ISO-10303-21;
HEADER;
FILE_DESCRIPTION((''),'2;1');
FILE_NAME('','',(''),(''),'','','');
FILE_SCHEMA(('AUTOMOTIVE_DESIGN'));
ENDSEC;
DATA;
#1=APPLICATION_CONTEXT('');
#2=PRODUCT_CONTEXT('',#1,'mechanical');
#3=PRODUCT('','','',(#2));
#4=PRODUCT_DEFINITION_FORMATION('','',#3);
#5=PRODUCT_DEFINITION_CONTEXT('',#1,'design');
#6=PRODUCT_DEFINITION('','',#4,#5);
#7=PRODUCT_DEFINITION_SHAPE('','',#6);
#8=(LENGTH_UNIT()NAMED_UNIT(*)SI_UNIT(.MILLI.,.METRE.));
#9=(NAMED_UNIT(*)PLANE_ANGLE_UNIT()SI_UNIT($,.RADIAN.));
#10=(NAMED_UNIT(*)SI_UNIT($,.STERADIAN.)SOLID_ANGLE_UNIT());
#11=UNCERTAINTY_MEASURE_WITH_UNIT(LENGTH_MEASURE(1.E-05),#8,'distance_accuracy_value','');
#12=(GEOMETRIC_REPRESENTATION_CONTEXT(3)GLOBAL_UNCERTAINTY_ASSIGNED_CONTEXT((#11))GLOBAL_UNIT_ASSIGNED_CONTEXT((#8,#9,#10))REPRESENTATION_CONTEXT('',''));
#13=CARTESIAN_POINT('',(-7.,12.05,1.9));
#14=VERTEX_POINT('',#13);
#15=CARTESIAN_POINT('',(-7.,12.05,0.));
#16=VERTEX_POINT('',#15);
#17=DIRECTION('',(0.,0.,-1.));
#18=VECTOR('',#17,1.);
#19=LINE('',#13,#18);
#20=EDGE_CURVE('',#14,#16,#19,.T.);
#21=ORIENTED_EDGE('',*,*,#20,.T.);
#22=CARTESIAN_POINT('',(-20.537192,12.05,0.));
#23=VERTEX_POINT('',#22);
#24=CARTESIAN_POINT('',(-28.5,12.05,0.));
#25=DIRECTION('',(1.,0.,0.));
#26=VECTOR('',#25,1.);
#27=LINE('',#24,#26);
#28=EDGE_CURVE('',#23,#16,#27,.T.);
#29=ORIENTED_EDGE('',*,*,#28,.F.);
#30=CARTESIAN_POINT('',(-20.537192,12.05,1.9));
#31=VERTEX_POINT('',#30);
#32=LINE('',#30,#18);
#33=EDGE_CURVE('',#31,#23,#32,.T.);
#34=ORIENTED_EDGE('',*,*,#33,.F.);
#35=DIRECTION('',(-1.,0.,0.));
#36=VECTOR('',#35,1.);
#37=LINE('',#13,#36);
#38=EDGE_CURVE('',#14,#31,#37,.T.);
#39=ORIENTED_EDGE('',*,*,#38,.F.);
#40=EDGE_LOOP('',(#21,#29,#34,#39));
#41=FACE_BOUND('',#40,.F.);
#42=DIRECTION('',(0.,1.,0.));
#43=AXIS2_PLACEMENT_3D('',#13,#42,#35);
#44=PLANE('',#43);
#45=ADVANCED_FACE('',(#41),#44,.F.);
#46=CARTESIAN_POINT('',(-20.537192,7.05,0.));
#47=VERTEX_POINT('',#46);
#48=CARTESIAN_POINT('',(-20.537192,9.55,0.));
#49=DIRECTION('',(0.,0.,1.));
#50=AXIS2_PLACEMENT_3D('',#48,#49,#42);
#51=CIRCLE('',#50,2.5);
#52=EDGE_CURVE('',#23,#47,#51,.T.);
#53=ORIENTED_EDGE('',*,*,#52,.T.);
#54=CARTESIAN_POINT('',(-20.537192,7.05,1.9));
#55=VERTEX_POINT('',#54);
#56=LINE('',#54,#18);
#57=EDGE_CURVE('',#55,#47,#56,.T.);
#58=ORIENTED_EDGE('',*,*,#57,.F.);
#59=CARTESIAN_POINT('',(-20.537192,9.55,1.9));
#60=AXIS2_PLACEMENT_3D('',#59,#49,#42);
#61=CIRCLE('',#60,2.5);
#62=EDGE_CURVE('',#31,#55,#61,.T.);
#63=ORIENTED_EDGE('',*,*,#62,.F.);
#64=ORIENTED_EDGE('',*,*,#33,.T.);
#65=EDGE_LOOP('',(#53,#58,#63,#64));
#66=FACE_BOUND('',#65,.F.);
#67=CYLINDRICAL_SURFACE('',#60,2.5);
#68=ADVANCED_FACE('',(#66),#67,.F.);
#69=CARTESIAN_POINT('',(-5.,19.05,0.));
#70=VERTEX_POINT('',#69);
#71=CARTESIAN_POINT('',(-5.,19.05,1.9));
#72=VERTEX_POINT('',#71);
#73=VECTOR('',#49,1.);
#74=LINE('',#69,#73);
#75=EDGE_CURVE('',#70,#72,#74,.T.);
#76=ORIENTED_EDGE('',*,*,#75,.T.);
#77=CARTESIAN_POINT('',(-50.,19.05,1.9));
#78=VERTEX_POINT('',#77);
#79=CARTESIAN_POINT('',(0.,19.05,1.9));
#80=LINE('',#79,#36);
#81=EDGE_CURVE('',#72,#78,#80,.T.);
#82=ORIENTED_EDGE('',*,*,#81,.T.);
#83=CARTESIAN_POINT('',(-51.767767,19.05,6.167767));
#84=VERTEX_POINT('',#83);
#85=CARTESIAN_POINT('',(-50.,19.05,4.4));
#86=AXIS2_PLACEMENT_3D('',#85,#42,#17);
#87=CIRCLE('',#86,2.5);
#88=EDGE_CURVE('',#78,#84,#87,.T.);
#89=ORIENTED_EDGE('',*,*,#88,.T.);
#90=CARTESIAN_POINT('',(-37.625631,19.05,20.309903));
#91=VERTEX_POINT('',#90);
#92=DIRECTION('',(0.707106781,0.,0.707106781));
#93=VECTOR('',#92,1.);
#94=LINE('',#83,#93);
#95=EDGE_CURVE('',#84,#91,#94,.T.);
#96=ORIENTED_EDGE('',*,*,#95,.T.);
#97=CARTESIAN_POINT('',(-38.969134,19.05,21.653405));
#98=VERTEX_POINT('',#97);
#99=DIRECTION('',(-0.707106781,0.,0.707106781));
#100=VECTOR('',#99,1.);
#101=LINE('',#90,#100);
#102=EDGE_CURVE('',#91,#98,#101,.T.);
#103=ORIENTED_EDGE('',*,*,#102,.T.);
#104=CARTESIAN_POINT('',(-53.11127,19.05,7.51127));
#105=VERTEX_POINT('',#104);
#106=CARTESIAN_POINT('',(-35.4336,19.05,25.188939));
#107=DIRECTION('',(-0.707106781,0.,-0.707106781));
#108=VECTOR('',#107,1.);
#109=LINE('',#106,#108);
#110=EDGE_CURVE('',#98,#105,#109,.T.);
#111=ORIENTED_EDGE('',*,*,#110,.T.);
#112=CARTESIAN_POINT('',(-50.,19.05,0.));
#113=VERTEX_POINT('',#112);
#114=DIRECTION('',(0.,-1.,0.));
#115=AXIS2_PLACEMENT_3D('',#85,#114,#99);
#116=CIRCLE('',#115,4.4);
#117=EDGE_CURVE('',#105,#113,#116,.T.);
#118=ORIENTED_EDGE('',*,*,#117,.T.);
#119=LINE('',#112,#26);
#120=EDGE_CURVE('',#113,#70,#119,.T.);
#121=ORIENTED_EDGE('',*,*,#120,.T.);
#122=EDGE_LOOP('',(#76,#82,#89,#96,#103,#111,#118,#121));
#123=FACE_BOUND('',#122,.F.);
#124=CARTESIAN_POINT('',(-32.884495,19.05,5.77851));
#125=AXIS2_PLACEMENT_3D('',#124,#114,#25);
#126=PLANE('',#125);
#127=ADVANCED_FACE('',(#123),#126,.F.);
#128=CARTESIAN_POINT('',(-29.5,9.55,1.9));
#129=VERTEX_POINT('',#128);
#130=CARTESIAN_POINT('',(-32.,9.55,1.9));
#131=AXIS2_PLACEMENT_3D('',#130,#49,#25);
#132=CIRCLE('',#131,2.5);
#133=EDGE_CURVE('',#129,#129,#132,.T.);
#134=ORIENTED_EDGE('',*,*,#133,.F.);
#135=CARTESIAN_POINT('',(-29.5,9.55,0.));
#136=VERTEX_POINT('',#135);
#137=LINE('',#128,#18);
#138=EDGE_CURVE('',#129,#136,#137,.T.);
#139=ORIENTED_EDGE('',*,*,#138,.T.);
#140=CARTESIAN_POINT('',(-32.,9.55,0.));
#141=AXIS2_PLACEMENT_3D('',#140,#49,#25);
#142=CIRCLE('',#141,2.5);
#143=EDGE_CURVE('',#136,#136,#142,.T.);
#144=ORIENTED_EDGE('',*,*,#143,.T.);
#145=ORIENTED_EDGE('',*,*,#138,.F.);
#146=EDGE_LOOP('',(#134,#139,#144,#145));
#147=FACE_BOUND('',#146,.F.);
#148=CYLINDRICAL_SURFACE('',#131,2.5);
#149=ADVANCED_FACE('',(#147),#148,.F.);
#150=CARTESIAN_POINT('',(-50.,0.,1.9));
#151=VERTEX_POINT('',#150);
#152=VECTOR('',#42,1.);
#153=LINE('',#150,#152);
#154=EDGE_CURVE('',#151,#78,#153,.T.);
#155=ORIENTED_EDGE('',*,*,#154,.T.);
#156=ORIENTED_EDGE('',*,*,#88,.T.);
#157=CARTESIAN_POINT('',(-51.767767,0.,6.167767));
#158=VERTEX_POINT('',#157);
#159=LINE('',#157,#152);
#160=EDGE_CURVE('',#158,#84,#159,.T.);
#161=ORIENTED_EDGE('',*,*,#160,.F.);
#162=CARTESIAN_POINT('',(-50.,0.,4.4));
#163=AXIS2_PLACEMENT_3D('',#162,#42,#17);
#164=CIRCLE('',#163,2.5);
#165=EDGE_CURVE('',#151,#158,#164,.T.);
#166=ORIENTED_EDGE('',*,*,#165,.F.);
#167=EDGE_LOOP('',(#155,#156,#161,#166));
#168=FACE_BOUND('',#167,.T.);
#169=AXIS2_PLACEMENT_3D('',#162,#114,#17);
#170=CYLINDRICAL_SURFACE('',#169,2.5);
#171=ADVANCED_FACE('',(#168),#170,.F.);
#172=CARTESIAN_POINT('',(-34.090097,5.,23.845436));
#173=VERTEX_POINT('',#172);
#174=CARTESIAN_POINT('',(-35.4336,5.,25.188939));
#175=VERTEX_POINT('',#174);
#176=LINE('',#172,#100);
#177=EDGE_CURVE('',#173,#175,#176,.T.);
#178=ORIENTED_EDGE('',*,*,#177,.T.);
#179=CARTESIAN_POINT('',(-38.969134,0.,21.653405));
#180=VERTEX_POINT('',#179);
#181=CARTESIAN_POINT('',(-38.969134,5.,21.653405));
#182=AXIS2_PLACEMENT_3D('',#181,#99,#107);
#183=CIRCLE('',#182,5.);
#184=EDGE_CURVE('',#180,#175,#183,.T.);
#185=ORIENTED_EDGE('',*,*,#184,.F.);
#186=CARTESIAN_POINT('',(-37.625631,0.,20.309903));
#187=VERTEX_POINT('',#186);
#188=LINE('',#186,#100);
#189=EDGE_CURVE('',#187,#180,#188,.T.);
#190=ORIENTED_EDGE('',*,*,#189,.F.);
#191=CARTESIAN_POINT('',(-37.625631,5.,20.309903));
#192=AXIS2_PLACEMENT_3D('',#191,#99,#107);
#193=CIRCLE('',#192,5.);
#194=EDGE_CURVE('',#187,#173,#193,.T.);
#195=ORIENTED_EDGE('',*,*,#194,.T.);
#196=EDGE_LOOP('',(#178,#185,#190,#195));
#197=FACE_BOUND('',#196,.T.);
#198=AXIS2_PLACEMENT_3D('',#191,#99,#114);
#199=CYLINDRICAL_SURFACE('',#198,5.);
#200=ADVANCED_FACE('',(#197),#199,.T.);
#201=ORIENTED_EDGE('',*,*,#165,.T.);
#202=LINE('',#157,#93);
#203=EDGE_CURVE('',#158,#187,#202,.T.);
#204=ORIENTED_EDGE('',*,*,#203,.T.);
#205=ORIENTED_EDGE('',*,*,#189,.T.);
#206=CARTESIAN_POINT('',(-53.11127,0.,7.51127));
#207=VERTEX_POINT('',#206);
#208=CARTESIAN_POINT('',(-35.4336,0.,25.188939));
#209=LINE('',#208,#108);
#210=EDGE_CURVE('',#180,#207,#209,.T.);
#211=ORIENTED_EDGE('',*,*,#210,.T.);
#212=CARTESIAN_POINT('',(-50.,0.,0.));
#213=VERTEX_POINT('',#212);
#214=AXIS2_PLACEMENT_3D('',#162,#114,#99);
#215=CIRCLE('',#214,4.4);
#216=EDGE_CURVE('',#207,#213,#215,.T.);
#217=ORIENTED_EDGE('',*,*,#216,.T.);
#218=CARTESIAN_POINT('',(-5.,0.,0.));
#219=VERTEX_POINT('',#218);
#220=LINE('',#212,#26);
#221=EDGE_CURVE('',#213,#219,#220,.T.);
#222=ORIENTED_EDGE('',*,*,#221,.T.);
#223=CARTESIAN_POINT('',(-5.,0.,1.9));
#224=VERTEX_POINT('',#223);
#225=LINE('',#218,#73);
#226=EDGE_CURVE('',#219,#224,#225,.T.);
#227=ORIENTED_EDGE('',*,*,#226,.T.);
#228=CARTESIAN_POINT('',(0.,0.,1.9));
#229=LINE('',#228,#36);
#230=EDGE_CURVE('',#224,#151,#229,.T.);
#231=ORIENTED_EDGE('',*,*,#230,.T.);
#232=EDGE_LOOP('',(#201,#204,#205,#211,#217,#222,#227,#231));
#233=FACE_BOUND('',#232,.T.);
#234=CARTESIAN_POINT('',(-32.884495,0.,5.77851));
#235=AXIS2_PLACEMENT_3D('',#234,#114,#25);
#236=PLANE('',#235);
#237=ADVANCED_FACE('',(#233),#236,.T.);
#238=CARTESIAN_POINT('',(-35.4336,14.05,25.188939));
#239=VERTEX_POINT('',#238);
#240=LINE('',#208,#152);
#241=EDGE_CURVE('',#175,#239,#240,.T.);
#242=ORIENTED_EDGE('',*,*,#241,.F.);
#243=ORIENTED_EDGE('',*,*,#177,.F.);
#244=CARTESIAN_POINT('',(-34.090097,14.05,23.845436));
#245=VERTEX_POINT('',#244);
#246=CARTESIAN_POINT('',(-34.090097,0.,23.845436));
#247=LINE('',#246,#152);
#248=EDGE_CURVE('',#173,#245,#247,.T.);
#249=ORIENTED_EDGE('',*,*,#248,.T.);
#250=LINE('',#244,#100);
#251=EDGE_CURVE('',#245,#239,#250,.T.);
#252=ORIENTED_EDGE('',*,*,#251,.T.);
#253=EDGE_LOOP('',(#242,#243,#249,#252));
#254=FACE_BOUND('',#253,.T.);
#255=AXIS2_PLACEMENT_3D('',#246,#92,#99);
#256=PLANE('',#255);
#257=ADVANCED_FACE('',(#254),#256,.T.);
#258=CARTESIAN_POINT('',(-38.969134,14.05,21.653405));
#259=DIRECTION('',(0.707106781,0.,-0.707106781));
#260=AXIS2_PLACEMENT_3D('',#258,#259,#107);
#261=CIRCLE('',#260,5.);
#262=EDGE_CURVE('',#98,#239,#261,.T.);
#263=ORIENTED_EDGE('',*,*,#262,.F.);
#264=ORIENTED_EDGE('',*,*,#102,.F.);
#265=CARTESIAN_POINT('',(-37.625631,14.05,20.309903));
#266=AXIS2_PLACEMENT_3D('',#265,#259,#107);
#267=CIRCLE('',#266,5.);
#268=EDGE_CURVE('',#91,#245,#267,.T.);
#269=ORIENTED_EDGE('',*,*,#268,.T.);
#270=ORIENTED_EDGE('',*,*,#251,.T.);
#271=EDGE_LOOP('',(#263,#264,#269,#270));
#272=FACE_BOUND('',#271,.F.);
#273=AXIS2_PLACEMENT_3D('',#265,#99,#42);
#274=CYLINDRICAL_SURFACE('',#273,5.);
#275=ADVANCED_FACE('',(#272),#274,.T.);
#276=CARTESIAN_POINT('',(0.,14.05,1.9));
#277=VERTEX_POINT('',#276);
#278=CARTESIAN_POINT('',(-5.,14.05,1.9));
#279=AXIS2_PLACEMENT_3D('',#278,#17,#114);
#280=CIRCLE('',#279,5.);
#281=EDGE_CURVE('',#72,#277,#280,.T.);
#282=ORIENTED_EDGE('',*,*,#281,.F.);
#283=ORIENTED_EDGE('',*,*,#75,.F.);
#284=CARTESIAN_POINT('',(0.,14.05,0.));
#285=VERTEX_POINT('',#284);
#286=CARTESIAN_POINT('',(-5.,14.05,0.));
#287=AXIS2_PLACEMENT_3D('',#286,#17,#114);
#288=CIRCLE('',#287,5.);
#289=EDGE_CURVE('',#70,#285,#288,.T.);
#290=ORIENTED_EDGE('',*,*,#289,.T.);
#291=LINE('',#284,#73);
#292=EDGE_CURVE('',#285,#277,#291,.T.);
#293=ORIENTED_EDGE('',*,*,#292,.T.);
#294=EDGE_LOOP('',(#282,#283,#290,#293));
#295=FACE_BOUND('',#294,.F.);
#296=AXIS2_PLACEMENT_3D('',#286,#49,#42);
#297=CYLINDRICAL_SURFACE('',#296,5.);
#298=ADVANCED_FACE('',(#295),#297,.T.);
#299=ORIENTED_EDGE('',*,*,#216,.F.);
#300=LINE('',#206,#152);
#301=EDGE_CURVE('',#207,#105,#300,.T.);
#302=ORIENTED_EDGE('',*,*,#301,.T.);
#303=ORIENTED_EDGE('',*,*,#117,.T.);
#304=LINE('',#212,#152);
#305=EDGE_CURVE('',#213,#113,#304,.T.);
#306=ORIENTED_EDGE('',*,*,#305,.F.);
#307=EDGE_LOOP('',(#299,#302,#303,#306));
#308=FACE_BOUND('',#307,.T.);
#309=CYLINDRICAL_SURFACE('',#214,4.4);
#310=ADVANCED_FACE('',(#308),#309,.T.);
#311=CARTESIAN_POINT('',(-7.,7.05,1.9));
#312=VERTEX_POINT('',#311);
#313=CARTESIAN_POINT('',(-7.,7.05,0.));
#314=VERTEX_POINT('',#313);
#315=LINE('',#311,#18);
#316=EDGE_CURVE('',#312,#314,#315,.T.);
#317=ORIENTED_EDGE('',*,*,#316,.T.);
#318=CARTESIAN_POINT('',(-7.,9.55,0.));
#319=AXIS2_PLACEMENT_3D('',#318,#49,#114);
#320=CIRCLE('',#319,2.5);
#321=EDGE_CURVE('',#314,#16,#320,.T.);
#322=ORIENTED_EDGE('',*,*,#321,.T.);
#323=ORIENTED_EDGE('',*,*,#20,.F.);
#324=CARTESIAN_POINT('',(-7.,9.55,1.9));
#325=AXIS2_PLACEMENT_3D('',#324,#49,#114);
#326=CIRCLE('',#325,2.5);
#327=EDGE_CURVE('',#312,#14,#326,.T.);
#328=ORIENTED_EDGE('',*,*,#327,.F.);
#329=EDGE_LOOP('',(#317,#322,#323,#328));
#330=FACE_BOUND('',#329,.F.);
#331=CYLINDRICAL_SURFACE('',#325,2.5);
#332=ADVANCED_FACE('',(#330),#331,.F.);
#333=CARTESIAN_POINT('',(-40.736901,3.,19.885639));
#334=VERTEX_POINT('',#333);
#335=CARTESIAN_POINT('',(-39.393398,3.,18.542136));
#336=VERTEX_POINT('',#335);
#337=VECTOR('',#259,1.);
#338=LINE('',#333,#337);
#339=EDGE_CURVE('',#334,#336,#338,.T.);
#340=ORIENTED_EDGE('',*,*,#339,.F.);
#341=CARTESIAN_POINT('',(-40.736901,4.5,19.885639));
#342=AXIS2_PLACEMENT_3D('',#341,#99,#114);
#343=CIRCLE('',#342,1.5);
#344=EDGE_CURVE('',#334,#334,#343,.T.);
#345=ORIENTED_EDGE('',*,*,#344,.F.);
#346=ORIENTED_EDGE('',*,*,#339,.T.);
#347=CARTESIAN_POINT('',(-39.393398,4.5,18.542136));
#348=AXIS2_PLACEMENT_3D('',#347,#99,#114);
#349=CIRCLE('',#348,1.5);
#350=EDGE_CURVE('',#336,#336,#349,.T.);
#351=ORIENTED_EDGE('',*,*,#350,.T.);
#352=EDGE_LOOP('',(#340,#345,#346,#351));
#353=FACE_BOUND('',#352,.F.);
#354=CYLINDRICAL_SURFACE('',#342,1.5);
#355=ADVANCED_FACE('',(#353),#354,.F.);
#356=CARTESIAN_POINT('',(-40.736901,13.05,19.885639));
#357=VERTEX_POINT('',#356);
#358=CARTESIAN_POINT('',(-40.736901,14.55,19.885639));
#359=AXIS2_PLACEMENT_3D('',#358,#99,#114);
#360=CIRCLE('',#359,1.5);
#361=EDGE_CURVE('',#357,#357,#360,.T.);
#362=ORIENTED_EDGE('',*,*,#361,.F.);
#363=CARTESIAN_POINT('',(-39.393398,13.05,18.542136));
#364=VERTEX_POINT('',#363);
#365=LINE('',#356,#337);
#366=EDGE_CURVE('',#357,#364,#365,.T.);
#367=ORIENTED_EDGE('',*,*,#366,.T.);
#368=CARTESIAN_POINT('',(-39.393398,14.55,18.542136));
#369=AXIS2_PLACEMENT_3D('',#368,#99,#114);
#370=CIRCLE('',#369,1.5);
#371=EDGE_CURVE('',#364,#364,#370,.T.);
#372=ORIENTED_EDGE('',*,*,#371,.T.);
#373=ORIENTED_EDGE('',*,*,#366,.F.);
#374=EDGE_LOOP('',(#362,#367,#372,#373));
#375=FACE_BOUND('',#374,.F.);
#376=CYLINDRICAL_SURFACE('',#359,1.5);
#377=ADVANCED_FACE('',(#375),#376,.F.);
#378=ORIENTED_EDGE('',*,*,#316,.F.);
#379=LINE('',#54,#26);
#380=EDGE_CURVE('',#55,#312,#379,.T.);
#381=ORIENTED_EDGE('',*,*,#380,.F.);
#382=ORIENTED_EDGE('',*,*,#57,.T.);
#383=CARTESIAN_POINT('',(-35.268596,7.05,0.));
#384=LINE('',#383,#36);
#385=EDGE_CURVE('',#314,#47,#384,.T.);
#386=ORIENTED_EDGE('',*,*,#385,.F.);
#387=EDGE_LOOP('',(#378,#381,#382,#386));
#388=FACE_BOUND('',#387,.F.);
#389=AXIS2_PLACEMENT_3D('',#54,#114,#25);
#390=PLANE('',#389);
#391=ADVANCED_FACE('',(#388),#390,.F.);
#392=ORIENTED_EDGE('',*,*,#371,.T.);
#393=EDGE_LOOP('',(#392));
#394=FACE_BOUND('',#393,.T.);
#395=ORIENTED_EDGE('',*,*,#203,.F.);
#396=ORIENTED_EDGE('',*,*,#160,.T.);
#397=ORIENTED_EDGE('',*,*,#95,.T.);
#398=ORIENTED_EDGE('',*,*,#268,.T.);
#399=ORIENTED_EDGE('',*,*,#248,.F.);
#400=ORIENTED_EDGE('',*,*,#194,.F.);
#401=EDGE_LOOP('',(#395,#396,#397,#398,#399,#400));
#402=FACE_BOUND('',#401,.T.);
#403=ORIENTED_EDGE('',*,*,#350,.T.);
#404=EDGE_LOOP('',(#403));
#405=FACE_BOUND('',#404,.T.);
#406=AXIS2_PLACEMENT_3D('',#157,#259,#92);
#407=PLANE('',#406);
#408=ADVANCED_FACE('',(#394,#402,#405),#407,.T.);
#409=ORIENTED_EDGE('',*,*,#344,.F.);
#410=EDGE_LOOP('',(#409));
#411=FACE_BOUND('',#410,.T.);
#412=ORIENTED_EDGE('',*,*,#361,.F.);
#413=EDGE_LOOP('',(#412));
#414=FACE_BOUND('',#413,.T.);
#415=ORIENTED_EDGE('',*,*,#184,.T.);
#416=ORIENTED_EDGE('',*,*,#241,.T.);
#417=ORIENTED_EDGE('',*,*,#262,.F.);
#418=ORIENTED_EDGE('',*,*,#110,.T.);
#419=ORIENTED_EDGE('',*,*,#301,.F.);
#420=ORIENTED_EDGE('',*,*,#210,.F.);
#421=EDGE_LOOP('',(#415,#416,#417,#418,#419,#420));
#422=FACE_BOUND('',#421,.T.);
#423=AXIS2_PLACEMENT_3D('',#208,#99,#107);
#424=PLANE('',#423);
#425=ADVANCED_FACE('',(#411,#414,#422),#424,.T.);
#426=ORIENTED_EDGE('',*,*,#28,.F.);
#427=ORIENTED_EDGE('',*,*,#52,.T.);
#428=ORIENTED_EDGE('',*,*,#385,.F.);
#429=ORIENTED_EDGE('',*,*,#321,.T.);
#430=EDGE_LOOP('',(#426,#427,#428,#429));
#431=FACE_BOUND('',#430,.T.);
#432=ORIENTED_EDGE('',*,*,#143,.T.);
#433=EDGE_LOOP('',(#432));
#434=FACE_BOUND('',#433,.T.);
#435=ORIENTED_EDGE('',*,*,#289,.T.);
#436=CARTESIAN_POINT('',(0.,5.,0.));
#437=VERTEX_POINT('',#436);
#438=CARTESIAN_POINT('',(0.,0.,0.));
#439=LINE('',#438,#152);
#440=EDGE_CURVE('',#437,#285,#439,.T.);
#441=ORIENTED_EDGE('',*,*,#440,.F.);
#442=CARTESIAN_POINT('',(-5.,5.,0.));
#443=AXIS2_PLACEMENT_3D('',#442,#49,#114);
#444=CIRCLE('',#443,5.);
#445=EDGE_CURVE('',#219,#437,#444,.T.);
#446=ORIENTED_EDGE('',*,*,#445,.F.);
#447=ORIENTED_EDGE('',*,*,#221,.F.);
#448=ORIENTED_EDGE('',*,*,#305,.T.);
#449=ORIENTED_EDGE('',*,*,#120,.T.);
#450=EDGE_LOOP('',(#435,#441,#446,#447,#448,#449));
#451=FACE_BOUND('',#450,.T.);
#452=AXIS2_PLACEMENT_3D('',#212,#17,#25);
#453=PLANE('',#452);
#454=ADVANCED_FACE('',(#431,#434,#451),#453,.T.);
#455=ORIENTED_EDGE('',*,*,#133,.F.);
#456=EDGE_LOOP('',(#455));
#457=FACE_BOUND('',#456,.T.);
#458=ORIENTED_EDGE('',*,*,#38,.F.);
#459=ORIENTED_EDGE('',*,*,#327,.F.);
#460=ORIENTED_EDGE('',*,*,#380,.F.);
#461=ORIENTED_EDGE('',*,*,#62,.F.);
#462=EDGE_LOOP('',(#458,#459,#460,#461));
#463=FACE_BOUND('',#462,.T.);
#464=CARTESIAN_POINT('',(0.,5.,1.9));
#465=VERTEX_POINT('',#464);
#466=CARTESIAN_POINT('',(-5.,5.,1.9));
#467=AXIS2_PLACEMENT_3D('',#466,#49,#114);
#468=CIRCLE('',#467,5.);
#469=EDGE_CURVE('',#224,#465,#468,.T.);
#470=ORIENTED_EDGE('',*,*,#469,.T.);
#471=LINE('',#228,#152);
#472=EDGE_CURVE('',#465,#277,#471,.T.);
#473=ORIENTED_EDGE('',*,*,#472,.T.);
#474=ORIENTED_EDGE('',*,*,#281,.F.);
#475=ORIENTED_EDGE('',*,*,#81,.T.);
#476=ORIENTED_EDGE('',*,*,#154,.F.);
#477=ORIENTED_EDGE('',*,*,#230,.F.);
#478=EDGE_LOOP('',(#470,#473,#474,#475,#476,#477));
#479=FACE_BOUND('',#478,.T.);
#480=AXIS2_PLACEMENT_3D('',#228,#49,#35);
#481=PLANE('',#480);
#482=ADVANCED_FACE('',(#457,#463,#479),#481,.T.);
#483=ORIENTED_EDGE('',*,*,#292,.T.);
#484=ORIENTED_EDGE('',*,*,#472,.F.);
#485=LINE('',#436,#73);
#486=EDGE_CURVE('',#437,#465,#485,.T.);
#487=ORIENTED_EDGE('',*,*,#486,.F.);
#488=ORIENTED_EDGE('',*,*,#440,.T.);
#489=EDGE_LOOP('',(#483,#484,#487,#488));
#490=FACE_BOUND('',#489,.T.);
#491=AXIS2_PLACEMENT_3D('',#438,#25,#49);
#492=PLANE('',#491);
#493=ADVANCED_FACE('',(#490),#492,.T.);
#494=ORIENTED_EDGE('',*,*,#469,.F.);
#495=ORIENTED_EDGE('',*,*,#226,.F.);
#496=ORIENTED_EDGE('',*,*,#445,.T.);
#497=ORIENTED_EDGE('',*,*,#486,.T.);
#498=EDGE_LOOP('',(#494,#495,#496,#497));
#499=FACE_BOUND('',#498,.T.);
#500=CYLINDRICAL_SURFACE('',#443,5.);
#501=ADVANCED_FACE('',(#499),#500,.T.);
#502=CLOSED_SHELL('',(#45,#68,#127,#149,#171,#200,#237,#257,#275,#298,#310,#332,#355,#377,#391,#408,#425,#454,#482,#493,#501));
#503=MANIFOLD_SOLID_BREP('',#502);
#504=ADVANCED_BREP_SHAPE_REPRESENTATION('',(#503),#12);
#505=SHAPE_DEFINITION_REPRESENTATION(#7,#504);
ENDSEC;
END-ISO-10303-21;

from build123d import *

# Parameters (mm, degrees)
F1_DEPTH = 19.05
F2_R     = 1.5
F3_DEPTH = 1.9
F4_R     = 2.5
F5_DEPTH = 25
F6_R     = 5


with BuildPart() as f1:
    # F0 (on Front) → F1 (new body)
    with BuildSketch(Plane.XZ):
        with BuildLine():
            Line((-50, 0), (0, 0))
            Line((0, 0), (0, 1.9))
            Line((0, 1.9), (-50, 1.9))
            ThreePointArc((-50, 1.9), (-52.3096988313, 3.4432914191), (-51.767766953, 6.167766953))
            Line((-51.767766953, 6.167766953), (-34.0900974233, 23.8454364826))
            Line((-34.0900974233, 23.8454364826), (-35.4336003076, 25.1889393669))
            Line((-35.4336003076, 25.1889393669), (-53.1112698372, 7.5112698372))
            ThreePointArc((-53.1112698372, 7.5112698372), (-54.065069943, 2.7161928976), (-50, 0))
        make_face()
    extrude(amount=-F1_DEPTH)

    # F2 (on face) → F3 (cut, through all)
    with BuildSketch(Plane(origin=(-30.3112698372, 0, 30.3112698372), x_dir=(0, -1, 0), z_dir=(-0.7071067812, 0, 0.7071067812))):
        with Locations((-14.55, -14.7440692221)):
            Circle(F2_R)
        with Locations((-4.5, -14.7440692221)):
            Circle(F2_R)
    extrude(amount=-F3_DEPTH, mode=Mode.SUBTRACT)

    # F4 (on face) → F5 (cut)
    with BuildSketch(Plane.XY.offset(1.9)):
        with BuildLine():
            Line((-7, 12.05), (-20.5371917859, 12.05))
            ThreePointArc((-20.5371917859, 12.05), (-23.0371917859, 9.55), (-20.5371917859, 7.05))
            Line((-20.5371917859, 7.05), (-7, 7.05))
            ThreePointArc((-7, 7.05), (-4.5, 9.55), (-7, 12.05))
        make_face()
        with Locations((-32, 9.55)):
            Circle(F4_R)
    extrude(amount=-F5_DEPTH, mode=Mode.SUBTRACT)

    # F6
    f6_edges = [f1.edges().sort_by_distance(p)[0] for p in [
        (-34.761849, 0, 24.517188),
        (0, 0, 0.95),
        (-34.761849, 19.05, 24.517188),
        (0, 19.05, 0.95),
    ]]
    fillet(f6_edges, radius=F6_R)


solid = f1.part
